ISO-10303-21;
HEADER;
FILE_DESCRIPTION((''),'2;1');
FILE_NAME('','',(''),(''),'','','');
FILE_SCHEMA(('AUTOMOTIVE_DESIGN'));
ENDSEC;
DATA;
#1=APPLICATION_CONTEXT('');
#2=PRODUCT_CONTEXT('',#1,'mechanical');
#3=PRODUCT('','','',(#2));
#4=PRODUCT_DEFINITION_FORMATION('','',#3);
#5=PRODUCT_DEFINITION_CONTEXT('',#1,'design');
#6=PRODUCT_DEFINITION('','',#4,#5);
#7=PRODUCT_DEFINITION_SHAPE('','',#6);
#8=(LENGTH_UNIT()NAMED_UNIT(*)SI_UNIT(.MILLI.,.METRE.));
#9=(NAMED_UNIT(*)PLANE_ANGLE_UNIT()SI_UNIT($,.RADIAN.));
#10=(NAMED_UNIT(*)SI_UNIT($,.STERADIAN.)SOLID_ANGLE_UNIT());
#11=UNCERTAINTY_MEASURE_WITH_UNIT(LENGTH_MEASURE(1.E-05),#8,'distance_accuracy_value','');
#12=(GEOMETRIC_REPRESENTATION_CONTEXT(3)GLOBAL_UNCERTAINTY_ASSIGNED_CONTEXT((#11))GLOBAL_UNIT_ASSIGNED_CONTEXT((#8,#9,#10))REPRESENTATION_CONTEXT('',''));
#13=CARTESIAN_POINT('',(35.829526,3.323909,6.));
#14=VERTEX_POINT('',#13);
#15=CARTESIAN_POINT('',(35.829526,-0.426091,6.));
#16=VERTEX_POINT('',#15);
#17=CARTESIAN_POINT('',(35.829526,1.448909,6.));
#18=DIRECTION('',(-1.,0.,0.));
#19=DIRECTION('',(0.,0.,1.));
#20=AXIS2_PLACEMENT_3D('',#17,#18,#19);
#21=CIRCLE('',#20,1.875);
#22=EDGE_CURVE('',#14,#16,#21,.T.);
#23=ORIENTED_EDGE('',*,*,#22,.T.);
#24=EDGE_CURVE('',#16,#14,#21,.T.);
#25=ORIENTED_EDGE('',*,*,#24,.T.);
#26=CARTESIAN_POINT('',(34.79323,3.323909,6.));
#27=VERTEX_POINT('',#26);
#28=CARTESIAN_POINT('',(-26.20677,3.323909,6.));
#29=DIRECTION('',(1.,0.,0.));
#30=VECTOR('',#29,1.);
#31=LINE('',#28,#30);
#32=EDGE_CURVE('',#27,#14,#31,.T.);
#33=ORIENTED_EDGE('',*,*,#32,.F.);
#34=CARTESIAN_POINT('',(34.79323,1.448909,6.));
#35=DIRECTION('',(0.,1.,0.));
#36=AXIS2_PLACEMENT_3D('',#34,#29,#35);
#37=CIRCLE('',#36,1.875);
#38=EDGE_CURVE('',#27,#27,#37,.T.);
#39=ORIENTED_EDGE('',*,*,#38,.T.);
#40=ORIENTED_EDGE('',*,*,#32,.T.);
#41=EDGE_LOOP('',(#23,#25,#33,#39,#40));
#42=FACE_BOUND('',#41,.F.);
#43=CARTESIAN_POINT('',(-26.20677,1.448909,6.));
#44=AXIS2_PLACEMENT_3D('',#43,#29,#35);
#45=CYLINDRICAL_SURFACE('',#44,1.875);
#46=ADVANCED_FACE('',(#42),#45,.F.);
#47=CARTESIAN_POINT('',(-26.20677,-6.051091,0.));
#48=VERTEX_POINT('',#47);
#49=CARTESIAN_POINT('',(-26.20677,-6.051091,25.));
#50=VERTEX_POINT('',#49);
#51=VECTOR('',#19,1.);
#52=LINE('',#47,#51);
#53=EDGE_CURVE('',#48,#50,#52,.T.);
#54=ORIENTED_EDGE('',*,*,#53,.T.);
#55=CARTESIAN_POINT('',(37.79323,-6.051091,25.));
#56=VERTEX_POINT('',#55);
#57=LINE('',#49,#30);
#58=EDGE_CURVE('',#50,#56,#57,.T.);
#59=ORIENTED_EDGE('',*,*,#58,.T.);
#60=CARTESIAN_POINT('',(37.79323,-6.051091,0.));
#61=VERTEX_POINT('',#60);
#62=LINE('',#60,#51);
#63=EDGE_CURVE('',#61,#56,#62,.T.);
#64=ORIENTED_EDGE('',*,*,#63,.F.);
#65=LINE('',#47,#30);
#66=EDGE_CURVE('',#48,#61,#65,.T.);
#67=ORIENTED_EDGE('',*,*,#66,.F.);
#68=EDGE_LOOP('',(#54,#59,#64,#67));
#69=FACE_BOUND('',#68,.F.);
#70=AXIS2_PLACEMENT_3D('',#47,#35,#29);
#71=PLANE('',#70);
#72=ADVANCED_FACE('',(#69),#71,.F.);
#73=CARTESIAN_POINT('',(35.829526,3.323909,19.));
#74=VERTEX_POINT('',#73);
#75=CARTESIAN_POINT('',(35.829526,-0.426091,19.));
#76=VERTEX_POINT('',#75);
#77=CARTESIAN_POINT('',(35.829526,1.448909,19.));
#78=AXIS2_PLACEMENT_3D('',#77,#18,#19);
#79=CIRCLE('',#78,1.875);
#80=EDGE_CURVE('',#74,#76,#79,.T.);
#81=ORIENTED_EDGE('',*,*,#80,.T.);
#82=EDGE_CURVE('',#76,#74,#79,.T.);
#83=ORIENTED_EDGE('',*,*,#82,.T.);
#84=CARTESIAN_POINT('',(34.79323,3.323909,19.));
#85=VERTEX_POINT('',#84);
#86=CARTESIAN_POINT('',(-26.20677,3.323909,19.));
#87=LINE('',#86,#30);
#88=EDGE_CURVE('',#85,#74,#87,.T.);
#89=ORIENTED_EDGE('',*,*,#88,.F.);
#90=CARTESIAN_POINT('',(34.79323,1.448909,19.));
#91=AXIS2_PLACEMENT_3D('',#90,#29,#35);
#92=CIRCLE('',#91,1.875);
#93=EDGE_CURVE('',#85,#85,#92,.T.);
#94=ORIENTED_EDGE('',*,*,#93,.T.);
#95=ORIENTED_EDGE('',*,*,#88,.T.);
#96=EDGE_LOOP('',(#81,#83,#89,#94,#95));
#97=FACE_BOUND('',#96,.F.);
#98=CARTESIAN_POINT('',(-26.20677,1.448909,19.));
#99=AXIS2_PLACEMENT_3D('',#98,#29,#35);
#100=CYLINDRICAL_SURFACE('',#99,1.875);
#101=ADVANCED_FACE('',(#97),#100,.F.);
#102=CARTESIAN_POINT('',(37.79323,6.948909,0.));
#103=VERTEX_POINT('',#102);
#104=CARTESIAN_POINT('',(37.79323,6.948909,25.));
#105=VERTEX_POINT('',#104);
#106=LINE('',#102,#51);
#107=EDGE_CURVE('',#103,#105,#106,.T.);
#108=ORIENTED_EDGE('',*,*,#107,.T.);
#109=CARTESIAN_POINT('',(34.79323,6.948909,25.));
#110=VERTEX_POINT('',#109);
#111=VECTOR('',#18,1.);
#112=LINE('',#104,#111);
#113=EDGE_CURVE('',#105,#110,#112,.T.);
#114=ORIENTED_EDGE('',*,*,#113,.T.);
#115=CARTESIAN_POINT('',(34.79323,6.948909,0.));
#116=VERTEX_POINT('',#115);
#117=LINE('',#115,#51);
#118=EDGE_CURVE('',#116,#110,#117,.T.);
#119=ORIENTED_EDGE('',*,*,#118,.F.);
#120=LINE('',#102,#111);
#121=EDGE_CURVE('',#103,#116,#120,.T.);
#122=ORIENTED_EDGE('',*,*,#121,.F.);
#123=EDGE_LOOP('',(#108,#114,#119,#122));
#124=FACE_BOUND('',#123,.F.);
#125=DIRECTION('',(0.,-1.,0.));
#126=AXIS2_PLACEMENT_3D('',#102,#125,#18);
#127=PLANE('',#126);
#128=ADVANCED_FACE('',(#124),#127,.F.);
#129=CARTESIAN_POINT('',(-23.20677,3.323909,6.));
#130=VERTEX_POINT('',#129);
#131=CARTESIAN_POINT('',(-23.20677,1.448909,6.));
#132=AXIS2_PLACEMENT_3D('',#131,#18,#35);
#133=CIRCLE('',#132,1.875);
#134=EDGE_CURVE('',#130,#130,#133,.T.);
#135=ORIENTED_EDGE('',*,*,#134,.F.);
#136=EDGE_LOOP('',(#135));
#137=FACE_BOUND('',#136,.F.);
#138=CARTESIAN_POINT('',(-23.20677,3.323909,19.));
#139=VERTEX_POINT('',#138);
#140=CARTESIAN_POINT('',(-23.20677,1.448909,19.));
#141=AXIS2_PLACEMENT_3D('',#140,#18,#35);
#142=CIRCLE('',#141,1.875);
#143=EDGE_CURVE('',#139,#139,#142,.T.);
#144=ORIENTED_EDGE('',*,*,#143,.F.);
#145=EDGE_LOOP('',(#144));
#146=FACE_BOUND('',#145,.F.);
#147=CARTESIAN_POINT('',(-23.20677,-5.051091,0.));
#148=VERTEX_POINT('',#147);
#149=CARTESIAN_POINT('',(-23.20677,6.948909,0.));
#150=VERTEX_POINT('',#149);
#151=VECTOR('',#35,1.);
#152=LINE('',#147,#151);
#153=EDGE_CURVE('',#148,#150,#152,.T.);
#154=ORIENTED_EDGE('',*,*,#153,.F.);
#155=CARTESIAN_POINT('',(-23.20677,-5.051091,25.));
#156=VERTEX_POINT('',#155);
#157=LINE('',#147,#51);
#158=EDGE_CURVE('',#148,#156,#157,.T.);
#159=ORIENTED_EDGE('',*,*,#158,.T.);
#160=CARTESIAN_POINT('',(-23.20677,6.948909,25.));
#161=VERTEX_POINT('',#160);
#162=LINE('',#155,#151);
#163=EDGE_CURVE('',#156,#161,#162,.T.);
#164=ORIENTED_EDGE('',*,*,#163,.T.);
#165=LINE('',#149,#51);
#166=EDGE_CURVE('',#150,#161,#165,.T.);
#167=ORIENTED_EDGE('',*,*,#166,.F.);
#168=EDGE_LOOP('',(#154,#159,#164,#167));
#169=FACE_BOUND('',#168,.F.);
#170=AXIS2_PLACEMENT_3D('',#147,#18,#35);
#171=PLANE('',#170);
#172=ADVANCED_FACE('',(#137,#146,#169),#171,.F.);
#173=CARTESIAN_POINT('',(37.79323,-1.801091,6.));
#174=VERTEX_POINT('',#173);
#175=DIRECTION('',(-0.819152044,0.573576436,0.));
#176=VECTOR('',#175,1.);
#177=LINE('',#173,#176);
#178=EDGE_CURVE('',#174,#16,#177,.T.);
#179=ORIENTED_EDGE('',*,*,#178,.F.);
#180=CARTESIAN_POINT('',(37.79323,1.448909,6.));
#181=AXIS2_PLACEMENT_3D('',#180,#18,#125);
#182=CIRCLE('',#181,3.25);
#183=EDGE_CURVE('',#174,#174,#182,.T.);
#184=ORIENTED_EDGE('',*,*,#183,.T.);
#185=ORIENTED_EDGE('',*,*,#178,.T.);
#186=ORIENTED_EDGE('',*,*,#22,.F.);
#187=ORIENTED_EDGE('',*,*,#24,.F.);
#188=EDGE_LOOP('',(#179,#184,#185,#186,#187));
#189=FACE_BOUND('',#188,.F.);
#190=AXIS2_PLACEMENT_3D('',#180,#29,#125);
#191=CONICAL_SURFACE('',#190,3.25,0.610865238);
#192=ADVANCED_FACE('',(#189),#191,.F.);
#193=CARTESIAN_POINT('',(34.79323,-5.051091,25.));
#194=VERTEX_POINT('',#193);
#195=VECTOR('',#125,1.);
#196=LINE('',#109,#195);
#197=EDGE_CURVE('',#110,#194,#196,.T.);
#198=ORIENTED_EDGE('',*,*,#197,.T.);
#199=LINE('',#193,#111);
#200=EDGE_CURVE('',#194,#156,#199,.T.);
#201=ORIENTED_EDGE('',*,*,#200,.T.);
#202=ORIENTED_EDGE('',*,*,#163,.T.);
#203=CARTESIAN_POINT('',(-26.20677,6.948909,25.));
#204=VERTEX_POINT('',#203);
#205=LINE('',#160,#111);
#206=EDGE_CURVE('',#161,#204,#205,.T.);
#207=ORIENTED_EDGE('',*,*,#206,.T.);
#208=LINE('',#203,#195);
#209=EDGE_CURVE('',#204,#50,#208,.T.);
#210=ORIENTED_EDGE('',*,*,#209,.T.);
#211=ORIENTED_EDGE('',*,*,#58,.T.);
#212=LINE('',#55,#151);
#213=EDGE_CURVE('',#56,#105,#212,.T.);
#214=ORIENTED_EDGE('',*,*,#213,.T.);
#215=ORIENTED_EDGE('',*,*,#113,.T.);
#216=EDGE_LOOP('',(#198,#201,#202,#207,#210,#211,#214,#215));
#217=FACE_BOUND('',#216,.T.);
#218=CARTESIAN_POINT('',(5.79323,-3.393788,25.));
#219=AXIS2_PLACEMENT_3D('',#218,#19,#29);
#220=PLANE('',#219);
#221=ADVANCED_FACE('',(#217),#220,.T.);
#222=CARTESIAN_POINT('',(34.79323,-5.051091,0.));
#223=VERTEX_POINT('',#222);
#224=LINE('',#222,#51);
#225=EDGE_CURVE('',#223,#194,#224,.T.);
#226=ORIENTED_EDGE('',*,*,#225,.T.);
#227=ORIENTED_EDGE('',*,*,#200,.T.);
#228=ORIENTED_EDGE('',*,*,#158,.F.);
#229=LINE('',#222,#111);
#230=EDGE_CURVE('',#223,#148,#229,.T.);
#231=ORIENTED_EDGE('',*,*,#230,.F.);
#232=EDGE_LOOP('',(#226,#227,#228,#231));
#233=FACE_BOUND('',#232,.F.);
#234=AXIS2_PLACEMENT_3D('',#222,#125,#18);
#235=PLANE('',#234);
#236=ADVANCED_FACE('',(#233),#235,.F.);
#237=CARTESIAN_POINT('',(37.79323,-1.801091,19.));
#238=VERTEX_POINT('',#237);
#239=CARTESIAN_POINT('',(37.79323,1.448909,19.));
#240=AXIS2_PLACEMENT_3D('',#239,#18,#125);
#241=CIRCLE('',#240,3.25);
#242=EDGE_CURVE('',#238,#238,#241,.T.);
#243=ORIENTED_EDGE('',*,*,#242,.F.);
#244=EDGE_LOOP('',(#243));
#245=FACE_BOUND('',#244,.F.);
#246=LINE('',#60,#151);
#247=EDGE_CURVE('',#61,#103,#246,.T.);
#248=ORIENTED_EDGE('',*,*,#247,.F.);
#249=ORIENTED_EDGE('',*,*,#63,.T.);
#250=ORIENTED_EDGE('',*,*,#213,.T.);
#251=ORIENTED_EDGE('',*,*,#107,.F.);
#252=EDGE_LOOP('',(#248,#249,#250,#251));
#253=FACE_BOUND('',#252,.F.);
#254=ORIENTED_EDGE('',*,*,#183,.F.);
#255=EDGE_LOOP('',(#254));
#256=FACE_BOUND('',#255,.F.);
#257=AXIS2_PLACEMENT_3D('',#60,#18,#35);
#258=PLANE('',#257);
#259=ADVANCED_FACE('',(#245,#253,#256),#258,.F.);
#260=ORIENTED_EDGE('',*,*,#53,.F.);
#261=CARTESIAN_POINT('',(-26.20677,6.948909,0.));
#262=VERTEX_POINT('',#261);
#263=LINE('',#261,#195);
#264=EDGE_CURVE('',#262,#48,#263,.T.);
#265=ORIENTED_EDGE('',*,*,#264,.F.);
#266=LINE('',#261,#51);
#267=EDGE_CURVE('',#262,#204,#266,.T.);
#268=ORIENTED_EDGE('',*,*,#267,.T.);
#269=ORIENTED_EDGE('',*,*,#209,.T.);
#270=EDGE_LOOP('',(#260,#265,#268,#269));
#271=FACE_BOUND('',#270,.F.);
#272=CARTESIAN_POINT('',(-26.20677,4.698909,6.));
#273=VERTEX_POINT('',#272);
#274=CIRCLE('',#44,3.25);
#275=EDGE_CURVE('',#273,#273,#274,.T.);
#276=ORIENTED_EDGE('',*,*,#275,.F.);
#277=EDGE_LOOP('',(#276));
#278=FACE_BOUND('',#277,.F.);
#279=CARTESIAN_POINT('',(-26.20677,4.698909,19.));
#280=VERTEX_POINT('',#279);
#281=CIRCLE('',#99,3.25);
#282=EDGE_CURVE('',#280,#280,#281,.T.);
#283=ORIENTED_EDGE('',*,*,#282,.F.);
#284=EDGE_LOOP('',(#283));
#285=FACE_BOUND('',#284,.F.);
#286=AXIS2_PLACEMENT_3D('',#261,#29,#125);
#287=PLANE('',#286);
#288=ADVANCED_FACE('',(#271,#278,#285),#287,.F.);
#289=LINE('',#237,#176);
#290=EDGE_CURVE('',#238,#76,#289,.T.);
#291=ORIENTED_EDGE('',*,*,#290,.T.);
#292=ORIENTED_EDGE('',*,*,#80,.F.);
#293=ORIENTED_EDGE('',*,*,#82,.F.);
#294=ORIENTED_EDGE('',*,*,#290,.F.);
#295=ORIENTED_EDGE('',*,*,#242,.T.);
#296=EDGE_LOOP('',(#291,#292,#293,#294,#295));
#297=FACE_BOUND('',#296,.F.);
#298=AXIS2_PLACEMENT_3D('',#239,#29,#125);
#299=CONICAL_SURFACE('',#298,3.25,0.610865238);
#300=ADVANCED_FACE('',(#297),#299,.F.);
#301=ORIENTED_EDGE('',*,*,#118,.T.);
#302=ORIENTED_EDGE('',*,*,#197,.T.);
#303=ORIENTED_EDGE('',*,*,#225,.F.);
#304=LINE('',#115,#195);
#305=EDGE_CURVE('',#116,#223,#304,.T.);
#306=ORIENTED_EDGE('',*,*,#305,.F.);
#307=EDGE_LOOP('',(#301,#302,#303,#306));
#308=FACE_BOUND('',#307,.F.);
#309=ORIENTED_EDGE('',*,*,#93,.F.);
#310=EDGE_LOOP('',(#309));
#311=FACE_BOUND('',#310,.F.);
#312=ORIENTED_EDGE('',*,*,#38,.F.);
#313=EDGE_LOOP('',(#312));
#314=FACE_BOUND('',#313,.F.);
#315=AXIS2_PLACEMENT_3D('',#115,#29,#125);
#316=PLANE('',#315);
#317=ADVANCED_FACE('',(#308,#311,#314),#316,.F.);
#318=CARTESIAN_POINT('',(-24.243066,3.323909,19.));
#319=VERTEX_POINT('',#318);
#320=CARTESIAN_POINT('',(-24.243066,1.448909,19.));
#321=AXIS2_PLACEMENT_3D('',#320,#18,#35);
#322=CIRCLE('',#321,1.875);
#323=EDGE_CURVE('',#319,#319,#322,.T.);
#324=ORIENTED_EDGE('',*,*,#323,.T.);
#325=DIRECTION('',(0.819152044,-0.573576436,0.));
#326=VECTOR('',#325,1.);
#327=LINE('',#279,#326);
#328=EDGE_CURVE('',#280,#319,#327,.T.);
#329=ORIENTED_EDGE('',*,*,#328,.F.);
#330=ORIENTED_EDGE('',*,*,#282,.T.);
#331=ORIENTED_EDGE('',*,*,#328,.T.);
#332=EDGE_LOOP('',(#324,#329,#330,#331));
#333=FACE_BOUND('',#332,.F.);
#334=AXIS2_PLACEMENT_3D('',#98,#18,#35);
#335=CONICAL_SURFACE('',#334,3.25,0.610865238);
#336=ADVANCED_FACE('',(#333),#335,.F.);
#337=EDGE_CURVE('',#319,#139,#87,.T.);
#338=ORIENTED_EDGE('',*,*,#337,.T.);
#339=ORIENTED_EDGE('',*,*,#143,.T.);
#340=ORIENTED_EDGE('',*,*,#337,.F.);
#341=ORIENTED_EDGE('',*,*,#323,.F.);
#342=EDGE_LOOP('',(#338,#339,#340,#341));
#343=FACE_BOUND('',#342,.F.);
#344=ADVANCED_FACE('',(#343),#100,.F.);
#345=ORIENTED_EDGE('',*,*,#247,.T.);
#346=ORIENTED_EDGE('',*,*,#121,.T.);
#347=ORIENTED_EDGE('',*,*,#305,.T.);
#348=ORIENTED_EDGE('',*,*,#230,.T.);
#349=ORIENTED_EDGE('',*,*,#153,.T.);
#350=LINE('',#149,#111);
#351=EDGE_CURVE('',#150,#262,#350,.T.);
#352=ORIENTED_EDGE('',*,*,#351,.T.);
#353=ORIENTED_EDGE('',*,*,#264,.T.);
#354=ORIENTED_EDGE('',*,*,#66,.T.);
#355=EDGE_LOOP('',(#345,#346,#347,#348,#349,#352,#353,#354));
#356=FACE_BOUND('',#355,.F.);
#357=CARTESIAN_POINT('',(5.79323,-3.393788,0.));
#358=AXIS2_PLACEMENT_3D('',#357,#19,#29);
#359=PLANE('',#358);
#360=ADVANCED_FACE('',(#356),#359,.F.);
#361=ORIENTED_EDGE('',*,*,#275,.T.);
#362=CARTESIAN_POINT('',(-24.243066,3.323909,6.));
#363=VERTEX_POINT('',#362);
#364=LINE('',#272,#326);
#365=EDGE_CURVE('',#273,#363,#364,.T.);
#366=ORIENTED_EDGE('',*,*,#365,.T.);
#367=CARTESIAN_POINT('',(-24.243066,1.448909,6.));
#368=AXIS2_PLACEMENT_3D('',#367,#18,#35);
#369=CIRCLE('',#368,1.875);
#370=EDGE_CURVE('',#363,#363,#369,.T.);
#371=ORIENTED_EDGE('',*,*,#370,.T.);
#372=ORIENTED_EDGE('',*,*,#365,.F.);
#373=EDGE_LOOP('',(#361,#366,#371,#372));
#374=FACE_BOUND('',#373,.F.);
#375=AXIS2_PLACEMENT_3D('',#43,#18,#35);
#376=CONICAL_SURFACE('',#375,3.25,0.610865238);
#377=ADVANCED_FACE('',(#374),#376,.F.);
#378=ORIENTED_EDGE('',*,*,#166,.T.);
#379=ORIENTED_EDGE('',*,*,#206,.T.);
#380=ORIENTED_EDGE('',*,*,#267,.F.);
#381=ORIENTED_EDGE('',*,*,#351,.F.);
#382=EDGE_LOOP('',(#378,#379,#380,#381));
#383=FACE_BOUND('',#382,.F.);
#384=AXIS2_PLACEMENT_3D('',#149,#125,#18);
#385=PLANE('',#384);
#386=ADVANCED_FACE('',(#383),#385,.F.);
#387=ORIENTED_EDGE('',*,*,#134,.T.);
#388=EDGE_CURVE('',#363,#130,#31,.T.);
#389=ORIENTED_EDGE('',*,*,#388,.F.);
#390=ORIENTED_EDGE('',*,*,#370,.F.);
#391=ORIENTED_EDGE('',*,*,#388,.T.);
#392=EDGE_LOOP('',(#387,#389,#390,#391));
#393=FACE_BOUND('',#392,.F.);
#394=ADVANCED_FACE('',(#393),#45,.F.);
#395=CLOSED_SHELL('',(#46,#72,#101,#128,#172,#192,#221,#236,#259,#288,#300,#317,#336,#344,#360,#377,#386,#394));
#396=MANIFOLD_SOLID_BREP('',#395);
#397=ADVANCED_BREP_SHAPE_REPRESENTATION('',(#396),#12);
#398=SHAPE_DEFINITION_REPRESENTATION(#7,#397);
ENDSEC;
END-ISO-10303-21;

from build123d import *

# Parameters (mm, degrees)
F1_DEPTH       = 25
F4_D           = 3.75
F4_CSINK_D     = 6.5
F4_CSINK_ANGLE = 70
F5_D           = 3.75
F5_CSINK_D     = 6.5
F5_CSINK_ANGLE = 70


with BuildPart() as f1:
    # F0 (on Top) → F1 (new body)
    with BuildSketch(Plane.XY):
        Polygon((-23.20677, 6.948909), (-26.20677, 6.948909), (-26.20677, -6.051091), (37.79323, -6.051091), (37.79323, 6.948909), (34.79323, 6.948909), (34.79323, -5.051091), (-23.20677, -5.051091), align=None)
    extrude(amount=F1_DEPTH)

    # F4 (through all)
    with Locations(Plane(origin=(-26.20677, 0, 0), x_dir=(0, -1, 0), z_dir=(-1, 0, 0))):
        with Locations((-1.448909, 6), (-1.448909, 19)):
            CounterSinkHole(F4_D / 2, F4_CSINK_D / 2, counter_sink_angle=F4_CSINK_ANGLE)

    # F5 (through all)
    with Locations(Plane.YZ.offset(37.79323)):
        with Locations((1.448909, 19), (1.448909, 6)):
            CounterSinkHole(F5_D / 2, F5_CSINK_D / 2, counter_sink_angle=F5_CSINK_ANGLE)


solid = f1.part
